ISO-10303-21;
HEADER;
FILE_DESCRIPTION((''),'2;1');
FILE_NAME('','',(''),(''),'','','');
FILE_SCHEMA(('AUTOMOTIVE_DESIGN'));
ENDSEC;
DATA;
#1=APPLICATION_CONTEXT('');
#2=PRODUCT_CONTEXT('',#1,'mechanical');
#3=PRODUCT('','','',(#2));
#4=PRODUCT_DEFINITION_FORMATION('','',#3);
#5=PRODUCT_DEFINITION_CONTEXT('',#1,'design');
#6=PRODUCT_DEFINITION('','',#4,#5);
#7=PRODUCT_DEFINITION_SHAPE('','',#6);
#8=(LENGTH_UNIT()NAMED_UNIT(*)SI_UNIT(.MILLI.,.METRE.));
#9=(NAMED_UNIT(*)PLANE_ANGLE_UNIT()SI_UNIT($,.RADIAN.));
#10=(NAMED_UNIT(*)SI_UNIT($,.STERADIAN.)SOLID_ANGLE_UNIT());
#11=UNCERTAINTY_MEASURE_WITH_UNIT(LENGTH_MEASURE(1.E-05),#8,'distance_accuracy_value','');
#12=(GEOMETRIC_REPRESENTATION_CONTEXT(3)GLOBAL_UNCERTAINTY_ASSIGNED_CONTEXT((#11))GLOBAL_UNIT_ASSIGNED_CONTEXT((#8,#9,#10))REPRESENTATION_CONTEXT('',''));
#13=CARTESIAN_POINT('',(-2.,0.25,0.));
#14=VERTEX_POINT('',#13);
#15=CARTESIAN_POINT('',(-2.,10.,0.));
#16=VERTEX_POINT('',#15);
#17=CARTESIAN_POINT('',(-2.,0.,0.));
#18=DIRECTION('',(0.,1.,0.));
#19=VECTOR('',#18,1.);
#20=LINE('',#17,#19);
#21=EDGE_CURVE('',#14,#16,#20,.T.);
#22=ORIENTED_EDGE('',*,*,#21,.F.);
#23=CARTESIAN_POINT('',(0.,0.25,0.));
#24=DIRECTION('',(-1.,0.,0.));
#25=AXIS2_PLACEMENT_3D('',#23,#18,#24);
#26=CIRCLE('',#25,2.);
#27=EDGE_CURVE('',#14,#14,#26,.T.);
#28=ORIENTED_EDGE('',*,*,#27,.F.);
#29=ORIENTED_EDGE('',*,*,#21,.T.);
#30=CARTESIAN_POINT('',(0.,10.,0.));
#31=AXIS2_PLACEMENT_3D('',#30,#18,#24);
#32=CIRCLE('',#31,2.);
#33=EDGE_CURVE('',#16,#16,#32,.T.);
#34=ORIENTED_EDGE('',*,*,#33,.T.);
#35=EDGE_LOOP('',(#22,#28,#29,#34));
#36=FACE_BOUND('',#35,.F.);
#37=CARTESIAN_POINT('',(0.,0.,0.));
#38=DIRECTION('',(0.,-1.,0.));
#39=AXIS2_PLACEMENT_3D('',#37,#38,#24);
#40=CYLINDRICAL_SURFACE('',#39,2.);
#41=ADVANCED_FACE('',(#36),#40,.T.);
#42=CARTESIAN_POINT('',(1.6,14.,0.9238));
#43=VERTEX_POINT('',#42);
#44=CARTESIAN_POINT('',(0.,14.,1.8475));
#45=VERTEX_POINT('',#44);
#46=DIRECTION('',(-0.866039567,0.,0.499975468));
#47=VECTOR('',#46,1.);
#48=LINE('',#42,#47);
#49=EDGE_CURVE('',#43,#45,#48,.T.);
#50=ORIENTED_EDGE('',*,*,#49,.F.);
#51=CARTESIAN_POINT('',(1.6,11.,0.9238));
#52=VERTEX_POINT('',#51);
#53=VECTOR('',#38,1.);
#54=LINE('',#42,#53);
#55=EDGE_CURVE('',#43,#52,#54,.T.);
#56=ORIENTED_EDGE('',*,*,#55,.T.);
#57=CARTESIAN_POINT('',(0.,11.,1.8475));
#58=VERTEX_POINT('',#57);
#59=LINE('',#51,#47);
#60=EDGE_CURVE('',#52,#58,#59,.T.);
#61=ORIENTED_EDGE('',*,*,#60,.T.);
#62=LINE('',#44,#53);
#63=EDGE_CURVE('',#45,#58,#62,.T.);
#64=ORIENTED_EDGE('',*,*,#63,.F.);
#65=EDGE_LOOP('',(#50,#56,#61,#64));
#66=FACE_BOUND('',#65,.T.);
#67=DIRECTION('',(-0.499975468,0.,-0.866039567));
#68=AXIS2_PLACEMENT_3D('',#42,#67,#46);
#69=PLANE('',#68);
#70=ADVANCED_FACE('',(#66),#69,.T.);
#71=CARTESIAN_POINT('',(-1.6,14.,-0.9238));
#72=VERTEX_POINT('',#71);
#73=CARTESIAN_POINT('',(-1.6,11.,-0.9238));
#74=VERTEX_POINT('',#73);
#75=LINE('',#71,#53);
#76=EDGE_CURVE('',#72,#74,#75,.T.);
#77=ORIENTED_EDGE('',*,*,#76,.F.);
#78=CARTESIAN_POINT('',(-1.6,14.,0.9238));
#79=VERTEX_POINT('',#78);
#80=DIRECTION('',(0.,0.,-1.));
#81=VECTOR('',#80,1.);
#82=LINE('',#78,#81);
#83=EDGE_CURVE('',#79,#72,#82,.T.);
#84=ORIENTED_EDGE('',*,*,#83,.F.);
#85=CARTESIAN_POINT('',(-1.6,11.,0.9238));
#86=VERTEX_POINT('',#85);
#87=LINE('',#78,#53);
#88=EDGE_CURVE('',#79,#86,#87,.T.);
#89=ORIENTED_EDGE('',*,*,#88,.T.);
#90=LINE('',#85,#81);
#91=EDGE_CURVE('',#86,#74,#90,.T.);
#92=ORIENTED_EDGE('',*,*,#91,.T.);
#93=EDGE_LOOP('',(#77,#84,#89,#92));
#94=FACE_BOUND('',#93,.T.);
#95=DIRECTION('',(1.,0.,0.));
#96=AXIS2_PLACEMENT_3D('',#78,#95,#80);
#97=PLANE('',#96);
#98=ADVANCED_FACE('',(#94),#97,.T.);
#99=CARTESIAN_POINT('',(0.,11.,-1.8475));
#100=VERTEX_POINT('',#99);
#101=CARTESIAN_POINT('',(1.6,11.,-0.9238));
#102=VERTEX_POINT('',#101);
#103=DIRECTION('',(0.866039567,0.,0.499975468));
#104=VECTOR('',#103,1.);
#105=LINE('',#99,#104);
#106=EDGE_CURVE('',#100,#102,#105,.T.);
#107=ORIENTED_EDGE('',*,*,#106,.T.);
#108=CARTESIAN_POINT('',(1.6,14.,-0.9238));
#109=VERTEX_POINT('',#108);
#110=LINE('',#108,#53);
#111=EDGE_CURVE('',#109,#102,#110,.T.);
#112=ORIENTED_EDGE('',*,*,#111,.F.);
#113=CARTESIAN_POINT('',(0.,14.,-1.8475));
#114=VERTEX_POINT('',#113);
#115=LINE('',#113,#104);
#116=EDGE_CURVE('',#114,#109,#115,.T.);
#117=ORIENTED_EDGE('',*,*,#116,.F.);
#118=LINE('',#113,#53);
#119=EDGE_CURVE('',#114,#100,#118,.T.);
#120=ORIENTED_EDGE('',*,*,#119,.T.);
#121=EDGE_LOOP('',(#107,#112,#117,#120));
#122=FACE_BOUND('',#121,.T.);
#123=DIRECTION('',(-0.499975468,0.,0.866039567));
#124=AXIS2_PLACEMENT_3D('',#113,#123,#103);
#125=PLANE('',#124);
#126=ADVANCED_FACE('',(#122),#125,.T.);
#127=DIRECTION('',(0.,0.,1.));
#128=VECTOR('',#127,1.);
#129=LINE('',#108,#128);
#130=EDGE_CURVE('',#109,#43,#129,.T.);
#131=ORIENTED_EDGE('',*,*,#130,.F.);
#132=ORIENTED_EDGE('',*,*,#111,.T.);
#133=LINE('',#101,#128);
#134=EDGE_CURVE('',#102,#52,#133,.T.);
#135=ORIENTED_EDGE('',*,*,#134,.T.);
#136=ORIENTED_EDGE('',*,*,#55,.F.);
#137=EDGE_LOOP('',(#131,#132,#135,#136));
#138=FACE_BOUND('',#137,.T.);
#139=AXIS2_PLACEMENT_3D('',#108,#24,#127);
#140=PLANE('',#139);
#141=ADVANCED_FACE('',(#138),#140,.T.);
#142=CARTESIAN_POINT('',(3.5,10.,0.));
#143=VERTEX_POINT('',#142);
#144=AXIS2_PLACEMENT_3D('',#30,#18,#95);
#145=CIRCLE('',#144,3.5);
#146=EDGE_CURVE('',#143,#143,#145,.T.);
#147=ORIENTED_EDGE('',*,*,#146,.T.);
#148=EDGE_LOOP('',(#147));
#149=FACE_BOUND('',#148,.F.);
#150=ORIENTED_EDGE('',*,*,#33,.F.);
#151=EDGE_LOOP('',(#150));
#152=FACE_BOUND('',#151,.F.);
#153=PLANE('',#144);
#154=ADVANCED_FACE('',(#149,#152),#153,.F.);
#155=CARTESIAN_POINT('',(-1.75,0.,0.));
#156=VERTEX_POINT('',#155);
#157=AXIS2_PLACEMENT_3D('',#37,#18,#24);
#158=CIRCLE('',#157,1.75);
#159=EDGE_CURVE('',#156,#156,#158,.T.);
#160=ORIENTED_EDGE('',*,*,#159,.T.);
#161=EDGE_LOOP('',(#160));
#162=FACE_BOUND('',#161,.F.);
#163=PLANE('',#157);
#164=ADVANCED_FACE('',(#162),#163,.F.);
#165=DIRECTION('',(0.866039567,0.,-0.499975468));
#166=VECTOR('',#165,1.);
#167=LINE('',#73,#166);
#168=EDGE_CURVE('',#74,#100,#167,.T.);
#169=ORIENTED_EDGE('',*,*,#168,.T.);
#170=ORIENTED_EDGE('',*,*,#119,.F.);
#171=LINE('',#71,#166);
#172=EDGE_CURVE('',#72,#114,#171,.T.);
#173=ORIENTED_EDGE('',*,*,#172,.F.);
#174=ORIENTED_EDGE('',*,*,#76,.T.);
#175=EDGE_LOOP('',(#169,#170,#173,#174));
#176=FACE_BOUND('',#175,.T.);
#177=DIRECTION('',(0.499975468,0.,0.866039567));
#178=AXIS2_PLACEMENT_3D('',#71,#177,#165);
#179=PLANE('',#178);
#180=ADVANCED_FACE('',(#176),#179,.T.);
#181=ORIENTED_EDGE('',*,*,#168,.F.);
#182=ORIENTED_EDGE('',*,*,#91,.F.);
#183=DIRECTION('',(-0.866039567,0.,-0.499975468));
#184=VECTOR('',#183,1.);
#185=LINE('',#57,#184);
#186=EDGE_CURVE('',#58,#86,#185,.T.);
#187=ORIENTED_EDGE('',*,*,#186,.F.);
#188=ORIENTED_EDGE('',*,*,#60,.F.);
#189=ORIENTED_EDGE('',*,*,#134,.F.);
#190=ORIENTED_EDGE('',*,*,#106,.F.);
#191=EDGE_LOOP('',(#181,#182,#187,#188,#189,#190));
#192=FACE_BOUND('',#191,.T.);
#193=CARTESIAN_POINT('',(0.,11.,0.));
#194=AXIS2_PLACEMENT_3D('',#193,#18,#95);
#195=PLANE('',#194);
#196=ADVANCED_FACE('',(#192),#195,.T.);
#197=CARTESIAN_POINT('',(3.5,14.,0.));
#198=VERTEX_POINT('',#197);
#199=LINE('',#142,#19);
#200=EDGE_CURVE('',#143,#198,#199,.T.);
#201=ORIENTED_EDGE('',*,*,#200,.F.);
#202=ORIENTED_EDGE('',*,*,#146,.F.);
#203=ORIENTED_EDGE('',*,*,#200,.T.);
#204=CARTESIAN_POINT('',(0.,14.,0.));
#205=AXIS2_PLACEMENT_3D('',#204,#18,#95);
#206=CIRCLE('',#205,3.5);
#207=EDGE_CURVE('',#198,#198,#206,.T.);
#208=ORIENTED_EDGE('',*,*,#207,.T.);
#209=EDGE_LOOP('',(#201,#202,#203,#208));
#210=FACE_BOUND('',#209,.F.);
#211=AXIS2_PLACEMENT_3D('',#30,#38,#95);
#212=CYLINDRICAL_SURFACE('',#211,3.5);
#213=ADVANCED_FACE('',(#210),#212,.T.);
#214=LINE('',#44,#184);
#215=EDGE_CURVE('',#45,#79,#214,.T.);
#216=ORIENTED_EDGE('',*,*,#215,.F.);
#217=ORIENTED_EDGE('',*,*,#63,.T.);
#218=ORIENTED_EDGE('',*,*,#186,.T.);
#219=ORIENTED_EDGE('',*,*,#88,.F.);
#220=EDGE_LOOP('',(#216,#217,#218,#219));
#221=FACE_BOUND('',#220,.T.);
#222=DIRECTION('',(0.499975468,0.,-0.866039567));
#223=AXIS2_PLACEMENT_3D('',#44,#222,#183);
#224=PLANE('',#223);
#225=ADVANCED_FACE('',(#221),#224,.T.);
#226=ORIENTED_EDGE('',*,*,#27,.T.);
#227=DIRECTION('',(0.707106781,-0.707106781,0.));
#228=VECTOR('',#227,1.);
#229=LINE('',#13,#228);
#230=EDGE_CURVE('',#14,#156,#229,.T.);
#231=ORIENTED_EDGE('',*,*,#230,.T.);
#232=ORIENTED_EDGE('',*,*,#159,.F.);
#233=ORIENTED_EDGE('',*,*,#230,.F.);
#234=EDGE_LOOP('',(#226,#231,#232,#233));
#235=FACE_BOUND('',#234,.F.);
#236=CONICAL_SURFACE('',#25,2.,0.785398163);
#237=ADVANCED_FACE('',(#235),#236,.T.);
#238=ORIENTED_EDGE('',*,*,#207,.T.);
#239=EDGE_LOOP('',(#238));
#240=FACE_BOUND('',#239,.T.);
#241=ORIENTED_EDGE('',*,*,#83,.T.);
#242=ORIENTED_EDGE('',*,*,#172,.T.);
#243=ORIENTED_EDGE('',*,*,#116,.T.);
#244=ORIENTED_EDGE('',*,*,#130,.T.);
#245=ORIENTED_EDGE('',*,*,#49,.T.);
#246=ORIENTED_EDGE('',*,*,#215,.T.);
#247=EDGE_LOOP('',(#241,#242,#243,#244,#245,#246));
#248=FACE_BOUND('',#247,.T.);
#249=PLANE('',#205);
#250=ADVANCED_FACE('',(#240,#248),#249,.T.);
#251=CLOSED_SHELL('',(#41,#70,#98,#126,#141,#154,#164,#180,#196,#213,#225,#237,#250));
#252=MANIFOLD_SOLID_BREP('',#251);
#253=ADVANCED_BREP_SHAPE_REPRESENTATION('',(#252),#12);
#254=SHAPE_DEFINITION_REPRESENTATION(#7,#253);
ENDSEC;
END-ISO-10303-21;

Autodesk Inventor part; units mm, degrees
ref_plane "YZ Plane" through (0, 0, 0) normal (1, 0, 0) x (0, 1, 0)
ref_plane "XZ Plane" through (0, 0, 0) normal (0, 1, 0) x (-1, 0, 0)
ref_plane "XY Plane" through (0, 0, 0) normal (0, 0, 1) x (1, 0, 0)
sketch "Sketch1" plane through (0, 0, 0) normal (0, 1, 0) x (-1, 0, 0)
  circle A0 centre (0, 0) radius 2
  dimension "d0" = 4
extrude "Extrusion1" add sketch "Sketch1" along normal blind 10
sketch "Sketch2" plane through (0, 10, 0) normal (0, 1, 0) x (1, 0, 0)
  circle A0 centre (0, 0) radius 2 projected
  circle A1 centre (0, 0) radius 3.5
  dimension "d3" = 7
extrude "Extrusion2" add sketch "Sketch2" along normal blind 4 contours A0 | A1
sketch "Sketch3" plane through (0, 14, 0) normal (0, 1, 0) x (1, 0, 0)
  circle A0 centre (0, 0) radius 3.5 projected
  line L0 (0, 1.8475) -> (1.6, 0.9238)
  line L1 (1.6, 0.9238) -> (1.6, -0.9238)
  line L2 (1.6, -0.9238) -> (0, -1.8475)
  line L3 (0, -1.8475) -> (-1.6, -0.9238)
  line L4 (-1.6, -0.9238) -> (-1.6, 0.9238)
  line L5 (-1.6, 0.9238) -> (0, 1.8475)
  dimension "d6" = 1.6
extrude "Extrusion3" cut sketch "Sketch3" against normal blind 3 contours L0 L1 L2 L3 L4 L5
thread "Thread1" size "M4x0.7" class "6g" standard "ANSI Metric M Profile" full length
chamfer "Chamfer1" distance 0.25 angle 45 1 edges at (2, 0, 0)
properties part number "M4x10SHCS"
